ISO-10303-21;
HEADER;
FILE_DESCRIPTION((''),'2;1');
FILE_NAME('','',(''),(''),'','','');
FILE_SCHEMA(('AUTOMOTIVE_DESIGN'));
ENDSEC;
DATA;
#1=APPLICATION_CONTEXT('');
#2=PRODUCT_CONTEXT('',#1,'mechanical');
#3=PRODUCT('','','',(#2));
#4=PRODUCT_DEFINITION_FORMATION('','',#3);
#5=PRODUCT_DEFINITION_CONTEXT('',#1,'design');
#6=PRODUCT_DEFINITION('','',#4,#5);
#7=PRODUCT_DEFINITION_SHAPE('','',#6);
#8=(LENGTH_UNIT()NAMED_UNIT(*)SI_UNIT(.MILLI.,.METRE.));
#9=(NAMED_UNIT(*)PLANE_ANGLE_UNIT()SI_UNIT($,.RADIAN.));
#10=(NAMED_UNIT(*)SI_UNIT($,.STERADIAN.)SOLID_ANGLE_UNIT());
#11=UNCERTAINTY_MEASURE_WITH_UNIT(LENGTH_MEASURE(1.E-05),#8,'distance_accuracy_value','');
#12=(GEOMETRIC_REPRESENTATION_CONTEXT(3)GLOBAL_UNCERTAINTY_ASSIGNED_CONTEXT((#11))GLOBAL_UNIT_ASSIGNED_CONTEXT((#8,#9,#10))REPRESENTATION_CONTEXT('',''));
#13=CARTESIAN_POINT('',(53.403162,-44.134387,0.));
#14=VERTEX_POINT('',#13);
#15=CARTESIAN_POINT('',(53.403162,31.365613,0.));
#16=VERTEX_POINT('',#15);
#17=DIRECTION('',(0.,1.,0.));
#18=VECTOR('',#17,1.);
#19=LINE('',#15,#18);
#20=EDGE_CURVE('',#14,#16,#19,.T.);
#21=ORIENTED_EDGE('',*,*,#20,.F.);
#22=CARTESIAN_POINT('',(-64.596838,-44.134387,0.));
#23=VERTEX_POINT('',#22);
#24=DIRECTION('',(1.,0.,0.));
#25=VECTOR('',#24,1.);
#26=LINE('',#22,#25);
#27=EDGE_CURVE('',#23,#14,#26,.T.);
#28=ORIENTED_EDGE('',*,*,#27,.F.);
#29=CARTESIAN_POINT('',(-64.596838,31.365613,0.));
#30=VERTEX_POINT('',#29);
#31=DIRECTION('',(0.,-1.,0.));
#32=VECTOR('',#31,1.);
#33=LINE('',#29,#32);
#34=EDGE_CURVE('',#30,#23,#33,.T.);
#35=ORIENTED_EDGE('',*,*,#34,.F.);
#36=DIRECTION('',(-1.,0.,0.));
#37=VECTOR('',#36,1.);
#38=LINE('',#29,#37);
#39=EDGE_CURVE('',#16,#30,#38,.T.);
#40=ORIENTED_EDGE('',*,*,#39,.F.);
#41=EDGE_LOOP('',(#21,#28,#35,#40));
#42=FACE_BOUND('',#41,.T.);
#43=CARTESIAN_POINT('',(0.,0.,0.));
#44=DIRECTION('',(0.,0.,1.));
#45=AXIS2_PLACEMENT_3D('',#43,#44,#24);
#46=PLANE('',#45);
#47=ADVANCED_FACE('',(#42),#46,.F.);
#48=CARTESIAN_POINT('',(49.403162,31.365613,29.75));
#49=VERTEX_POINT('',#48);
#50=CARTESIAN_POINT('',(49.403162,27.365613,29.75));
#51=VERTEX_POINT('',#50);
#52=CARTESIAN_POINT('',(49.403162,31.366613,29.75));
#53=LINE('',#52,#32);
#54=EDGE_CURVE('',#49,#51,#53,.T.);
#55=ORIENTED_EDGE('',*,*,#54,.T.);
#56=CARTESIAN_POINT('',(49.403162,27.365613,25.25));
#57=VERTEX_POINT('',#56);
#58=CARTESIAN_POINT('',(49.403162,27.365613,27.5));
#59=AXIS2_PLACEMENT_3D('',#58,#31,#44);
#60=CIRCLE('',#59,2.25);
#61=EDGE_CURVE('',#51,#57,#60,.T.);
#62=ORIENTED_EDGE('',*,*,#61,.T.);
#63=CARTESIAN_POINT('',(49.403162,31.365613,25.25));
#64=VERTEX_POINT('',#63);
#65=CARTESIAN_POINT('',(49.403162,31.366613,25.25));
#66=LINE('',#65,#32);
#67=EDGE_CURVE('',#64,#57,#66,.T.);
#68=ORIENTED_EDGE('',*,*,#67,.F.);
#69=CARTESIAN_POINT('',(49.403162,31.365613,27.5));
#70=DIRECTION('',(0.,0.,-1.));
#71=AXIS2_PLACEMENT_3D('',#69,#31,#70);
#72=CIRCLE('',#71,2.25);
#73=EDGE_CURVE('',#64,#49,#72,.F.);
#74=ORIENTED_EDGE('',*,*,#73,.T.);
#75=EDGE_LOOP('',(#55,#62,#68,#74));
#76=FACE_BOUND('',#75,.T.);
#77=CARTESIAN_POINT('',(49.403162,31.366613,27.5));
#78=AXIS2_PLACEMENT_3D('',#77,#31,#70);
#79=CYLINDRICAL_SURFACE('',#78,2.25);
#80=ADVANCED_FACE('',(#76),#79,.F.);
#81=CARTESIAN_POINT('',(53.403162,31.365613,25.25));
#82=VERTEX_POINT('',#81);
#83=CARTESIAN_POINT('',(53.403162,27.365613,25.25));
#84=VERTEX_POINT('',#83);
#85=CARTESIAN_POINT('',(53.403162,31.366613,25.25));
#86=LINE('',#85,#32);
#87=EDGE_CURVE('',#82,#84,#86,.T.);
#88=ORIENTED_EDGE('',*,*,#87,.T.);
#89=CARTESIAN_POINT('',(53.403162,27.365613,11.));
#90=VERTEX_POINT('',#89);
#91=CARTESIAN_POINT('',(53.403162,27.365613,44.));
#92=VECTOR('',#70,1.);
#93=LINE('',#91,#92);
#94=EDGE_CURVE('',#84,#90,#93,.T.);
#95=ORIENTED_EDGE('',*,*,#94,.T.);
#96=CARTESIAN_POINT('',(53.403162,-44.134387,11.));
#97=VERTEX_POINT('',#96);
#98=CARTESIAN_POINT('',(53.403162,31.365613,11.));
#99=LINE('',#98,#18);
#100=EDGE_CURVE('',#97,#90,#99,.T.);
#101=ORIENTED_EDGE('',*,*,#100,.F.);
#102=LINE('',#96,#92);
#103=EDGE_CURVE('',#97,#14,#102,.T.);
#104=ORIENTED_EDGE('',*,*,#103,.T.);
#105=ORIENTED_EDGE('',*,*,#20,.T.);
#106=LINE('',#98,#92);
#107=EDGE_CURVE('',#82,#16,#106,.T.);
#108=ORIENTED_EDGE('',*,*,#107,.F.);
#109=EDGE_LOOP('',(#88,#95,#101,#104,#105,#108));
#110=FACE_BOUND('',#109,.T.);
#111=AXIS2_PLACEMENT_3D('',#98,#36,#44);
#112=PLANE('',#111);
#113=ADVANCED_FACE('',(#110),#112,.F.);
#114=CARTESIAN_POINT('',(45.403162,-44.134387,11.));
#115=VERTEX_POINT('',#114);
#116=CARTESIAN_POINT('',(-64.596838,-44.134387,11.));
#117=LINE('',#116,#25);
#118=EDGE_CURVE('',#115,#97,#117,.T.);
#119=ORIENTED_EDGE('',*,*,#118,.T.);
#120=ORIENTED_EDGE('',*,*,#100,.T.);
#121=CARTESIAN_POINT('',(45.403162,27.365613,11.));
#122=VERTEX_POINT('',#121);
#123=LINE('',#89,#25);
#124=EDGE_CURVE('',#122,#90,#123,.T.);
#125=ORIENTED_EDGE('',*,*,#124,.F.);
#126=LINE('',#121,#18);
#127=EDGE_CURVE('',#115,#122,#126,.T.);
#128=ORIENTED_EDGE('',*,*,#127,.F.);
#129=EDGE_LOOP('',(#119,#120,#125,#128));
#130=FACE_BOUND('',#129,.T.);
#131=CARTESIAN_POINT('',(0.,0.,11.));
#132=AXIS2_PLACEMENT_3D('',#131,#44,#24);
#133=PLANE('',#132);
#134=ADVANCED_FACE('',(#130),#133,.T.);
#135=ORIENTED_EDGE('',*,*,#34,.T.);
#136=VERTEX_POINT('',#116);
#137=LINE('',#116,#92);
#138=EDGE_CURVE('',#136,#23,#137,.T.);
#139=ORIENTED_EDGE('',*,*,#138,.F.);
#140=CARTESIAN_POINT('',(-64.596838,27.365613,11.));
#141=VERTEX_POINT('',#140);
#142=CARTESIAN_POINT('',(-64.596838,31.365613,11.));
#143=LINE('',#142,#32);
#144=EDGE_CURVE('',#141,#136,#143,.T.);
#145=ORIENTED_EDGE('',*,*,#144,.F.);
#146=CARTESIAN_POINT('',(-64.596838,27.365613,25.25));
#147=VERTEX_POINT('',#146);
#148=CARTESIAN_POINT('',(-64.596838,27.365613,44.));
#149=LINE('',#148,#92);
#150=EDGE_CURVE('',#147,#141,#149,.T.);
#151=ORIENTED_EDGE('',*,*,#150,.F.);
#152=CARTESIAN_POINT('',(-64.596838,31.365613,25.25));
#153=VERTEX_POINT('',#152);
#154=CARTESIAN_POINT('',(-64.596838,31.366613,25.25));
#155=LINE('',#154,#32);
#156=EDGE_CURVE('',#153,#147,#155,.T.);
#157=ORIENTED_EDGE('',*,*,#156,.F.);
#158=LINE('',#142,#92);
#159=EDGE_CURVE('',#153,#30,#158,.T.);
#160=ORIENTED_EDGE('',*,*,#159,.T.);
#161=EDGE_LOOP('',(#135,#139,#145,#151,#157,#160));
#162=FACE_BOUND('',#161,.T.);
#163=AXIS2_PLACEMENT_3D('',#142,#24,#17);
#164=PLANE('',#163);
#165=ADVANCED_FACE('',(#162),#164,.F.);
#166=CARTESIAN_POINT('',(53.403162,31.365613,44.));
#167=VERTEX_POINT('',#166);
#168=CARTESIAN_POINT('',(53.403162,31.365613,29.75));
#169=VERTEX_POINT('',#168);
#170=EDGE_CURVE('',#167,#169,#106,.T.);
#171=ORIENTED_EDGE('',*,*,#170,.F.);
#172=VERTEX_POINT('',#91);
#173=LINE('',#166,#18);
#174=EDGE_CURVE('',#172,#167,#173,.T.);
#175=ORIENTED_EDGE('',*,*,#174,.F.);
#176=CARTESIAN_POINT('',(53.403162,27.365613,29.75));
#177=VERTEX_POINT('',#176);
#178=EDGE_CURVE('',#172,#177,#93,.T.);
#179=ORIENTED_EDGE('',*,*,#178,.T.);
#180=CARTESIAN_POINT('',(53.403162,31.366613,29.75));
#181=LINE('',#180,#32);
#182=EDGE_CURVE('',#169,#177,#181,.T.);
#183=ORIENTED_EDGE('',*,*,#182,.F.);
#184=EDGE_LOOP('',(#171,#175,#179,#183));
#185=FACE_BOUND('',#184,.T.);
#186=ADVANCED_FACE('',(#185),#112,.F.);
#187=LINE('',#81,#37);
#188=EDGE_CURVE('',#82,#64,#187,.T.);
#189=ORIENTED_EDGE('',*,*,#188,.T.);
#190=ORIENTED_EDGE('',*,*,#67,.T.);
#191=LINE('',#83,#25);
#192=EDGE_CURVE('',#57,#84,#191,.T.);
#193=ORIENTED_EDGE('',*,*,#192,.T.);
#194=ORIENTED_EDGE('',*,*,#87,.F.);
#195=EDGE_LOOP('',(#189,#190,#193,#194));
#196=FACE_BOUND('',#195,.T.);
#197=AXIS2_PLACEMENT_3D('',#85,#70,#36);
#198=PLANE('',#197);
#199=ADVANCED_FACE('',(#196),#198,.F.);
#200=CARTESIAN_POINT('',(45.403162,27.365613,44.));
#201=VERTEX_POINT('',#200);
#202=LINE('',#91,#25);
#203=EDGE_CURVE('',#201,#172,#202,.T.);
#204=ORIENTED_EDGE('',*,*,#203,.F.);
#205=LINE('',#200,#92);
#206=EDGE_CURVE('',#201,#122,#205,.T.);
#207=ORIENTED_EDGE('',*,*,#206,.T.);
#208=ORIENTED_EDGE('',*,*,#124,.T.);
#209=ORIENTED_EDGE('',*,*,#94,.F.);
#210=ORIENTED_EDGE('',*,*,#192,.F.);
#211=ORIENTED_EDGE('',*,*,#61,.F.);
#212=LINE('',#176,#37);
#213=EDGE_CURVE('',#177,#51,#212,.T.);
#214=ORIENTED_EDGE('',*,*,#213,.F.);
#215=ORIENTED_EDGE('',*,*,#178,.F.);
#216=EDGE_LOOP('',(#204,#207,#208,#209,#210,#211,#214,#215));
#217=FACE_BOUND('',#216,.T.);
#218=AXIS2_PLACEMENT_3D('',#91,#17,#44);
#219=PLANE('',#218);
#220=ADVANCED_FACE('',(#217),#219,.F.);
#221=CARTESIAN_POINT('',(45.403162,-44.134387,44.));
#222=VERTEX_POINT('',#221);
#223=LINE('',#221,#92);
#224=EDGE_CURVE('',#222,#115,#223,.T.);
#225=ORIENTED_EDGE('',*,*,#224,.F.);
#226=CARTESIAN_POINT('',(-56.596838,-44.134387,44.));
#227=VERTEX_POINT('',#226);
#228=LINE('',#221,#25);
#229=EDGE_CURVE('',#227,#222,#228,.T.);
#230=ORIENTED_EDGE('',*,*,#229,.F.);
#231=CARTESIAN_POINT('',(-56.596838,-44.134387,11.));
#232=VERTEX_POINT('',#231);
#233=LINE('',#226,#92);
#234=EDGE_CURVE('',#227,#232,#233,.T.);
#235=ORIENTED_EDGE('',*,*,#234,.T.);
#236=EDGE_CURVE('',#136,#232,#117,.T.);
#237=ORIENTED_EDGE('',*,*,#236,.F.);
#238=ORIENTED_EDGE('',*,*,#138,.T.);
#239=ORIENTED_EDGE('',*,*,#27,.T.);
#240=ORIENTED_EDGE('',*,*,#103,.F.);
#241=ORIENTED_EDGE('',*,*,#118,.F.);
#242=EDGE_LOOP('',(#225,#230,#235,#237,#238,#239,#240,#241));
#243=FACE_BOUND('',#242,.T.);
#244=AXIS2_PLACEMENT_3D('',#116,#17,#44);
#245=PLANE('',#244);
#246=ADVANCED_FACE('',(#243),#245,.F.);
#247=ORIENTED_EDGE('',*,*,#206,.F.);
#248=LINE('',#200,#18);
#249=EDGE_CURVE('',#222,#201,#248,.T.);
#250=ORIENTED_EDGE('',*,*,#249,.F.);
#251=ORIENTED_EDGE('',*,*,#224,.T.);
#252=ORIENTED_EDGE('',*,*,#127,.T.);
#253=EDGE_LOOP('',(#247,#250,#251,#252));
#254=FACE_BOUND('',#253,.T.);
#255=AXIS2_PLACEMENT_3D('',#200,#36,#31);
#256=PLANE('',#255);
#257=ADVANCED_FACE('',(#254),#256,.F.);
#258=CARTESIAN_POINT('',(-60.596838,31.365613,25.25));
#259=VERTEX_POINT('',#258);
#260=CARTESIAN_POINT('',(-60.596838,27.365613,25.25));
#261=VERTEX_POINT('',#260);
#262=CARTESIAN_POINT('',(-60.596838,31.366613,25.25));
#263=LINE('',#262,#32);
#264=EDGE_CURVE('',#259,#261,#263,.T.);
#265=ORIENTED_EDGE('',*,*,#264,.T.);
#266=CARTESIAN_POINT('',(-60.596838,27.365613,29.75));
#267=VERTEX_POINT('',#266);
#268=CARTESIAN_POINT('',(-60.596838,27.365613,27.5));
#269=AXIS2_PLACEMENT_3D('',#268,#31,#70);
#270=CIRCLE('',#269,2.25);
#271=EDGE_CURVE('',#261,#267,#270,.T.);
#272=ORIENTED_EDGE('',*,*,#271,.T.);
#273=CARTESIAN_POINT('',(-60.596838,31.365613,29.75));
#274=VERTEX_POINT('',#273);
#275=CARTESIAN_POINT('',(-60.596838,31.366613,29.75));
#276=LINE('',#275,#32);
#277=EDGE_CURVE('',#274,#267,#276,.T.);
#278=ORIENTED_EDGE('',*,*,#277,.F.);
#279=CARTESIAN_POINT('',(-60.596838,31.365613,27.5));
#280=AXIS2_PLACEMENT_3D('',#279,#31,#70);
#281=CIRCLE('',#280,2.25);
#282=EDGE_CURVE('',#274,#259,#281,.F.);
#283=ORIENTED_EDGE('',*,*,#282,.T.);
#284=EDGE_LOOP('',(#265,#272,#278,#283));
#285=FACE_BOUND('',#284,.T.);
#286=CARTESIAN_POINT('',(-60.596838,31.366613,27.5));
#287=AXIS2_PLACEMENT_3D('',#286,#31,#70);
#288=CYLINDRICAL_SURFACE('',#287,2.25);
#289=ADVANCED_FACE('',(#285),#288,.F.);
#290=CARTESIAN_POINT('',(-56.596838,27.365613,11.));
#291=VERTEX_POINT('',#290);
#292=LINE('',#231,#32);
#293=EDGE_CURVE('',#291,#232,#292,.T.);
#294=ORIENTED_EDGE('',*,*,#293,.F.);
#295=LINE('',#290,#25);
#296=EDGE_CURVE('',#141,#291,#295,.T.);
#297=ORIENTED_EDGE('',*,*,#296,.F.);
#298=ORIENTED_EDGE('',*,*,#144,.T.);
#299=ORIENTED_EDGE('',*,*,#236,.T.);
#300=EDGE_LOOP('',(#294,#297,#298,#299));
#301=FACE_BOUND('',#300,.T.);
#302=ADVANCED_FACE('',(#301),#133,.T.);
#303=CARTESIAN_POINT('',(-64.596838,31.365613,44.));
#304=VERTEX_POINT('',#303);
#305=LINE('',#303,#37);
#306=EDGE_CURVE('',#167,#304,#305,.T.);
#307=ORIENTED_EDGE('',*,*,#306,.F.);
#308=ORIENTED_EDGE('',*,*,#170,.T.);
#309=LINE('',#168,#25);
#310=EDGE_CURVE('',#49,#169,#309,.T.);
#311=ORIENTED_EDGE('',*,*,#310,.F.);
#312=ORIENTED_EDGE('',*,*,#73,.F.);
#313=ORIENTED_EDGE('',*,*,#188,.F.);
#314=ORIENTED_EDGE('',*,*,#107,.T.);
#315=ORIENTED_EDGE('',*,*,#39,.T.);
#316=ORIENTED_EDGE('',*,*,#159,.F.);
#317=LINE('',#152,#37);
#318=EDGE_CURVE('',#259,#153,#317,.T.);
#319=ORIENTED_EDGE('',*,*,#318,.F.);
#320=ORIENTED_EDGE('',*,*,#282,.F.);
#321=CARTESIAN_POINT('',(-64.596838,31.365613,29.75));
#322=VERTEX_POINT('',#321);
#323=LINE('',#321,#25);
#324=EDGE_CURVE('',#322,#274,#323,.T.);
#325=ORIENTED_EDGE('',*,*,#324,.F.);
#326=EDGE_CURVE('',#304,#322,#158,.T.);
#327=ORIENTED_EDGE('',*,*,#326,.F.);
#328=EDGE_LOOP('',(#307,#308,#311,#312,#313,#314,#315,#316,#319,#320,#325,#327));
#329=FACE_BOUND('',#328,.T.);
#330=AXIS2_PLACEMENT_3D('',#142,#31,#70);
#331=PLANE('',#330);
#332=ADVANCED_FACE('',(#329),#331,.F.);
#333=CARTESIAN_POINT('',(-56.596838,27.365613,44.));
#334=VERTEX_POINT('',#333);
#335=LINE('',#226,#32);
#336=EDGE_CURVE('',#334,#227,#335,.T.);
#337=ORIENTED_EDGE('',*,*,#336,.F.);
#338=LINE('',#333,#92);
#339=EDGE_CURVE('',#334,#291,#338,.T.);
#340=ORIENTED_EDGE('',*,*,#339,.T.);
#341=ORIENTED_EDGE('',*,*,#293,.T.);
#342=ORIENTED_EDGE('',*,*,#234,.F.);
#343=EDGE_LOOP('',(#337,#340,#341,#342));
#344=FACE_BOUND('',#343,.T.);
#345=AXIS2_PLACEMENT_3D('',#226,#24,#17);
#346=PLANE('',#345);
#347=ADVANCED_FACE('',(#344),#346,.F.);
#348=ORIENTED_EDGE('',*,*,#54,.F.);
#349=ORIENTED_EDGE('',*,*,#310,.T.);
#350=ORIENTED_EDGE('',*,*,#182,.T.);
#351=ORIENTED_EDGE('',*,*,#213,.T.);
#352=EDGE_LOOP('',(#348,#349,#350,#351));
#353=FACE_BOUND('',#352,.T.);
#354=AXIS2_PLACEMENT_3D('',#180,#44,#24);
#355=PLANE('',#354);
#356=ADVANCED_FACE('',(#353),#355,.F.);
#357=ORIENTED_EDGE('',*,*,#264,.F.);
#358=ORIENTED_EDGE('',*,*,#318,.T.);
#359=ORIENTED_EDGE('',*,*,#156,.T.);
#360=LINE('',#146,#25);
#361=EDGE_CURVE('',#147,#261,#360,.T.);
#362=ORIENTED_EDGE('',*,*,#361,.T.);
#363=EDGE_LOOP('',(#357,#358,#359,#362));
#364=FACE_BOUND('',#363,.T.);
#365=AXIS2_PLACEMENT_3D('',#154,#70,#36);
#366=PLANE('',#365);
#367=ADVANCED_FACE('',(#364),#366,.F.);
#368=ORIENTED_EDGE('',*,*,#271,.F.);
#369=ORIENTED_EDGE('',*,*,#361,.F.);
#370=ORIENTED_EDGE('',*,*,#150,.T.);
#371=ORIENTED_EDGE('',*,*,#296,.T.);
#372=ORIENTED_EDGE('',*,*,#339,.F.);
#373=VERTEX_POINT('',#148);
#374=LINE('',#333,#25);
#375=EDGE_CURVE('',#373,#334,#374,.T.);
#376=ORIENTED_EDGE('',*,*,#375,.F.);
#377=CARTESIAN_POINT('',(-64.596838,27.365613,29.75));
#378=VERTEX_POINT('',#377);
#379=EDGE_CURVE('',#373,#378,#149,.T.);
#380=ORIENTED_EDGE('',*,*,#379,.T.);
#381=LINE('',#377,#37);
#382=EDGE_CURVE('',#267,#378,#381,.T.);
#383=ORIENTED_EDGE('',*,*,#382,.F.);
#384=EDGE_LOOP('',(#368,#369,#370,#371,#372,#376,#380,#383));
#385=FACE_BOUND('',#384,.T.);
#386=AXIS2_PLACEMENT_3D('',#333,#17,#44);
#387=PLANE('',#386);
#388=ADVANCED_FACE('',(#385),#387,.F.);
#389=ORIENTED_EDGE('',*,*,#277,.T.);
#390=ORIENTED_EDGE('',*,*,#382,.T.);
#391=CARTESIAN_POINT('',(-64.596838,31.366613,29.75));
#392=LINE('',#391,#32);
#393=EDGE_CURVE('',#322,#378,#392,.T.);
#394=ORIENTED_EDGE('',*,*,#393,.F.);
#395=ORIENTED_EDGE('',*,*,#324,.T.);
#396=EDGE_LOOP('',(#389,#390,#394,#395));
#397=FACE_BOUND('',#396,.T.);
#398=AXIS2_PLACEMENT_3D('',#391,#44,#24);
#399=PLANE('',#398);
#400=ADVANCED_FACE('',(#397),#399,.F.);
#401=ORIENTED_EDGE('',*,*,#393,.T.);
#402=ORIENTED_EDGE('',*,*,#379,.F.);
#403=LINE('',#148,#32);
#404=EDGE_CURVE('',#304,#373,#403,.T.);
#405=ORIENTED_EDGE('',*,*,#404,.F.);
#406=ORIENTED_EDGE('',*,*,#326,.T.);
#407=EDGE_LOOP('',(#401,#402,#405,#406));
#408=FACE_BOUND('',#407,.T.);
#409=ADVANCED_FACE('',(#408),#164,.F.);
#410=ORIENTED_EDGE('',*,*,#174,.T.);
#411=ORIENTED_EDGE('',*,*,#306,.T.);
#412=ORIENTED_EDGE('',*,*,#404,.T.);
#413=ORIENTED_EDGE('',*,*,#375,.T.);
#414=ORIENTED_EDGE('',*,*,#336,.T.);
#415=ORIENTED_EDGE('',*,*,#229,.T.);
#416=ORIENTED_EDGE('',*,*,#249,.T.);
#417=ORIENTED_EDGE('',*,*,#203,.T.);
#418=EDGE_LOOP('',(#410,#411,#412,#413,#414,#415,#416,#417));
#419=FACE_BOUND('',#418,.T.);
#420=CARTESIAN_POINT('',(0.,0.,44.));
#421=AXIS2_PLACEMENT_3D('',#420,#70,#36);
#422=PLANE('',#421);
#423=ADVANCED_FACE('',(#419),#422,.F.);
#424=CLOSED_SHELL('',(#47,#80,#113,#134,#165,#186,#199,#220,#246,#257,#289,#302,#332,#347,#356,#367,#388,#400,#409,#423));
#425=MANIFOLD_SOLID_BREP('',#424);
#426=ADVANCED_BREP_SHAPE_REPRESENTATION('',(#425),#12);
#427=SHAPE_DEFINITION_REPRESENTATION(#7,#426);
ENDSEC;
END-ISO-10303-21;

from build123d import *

# Parameters (mm, degrees)
ESQUISSE1_W             = 118
ESQUISSE1_H             = 75.5
BOSS_EXTRU_1_DEPTH      = 11
BOSS_EXTRU_2_DEPTH      = 33
ENL_V_MAT_EXTRU_1_REACH = 107.929


with BuildPart() as part:
    # Esquisse1 → Boss.-Extru.1 (new body)
    with BuildSketch(Plane.XY):
        with Locations((-5.596837945, -6.384387352)):
            Rectangle(ESQUISSE1_W, ESQUISSE1_H)
    extrude(amount=BOSS_EXTRU_1_DEPTH)

    # Esquisse2 → Boss.-Extru.2 (add)
    with BuildSketch(Plane.XY.offset(11)):
        Polygon((-64.596837945, 31.365612648), (53.403162055, 31.365612648), (53.403162055, 27.365612648), (45.403162055, 27.365612648), (45.403162055, -44.134387352), (-56.596837945, -44.134387352), (-56.596837945, 27.365612648), (-64.596837945, 27.365612648), align=None)
    extrude(amount=BOSS_EXTRU_2_DEPTH)

    # Esquisse3 → Enlèv. mat.-Extru.1 (cut, up to next)
    with BuildSketch(Plane.XZ.offset(-27.365612648), mode=Mode.PRIVATE) as enl_v_mat_extru_1_sk1:
        with BuildLine():
            Line((-64.596837945, 29.75), (-60.596837945, 29.75))
            ThreePointArc((-60.596837945, 29.75), (-58.346837945, 27.5), (-60.596837945, 25.25))
            Line((-60.596837945, 25.25), (-64.596837945, 25.25))
            Line((-64.596837945, 25.25), (-64.596837945, 29.75))
        make_face()
    enl_v_mat_extru_1_tool1 = extrude(enl_v_mat_extru_1_sk1.sketch, amount=-ENL_V_MAT_EXTRU_1_REACH, mode=Mode.PRIVATE) & part.part
    # Esquisse3 → Enlèv. mat.-Extru.1 (cut, up to next)
    with BuildSketch(Plane.XZ.offset(-27.365612648), mode=Mode.PRIVATE) as enl_v_mat_extru_1_sk2:
        with BuildLine():
            Line((53.403162055, 29.75), (49.403162055, 29.75))
            ThreePointArc((49.403162055, 29.75), (47.153162055, 27.5), (49.403162055, 25.25))
            Line((49.403162055, 25.25), (53.403162055, 25.25))
            Line((53.403162055, 25.25), (53.403162055, 29.75))
        make_face()
    enl_v_mat_extru_1_tool2 = extrude(enl_v_mat_extru_1_sk2.sketch, amount=-ENL_V_MAT_EXTRU_1_REACH, mode=Mode.PRIVATE) & part.part
    add(enl_v_mat_extru_1_tool1.solids().sort_by_distance((-61.6914, 27.365613, 27.5))[0], mode=Mode.SUBTRACT)
    add(enl_v_mat_extru_1_tool2.solids().sort_by_distance((50.497724, 27.365613, 27.5))[0], mode=Mode.SUBTRACT)


solid = part.part
